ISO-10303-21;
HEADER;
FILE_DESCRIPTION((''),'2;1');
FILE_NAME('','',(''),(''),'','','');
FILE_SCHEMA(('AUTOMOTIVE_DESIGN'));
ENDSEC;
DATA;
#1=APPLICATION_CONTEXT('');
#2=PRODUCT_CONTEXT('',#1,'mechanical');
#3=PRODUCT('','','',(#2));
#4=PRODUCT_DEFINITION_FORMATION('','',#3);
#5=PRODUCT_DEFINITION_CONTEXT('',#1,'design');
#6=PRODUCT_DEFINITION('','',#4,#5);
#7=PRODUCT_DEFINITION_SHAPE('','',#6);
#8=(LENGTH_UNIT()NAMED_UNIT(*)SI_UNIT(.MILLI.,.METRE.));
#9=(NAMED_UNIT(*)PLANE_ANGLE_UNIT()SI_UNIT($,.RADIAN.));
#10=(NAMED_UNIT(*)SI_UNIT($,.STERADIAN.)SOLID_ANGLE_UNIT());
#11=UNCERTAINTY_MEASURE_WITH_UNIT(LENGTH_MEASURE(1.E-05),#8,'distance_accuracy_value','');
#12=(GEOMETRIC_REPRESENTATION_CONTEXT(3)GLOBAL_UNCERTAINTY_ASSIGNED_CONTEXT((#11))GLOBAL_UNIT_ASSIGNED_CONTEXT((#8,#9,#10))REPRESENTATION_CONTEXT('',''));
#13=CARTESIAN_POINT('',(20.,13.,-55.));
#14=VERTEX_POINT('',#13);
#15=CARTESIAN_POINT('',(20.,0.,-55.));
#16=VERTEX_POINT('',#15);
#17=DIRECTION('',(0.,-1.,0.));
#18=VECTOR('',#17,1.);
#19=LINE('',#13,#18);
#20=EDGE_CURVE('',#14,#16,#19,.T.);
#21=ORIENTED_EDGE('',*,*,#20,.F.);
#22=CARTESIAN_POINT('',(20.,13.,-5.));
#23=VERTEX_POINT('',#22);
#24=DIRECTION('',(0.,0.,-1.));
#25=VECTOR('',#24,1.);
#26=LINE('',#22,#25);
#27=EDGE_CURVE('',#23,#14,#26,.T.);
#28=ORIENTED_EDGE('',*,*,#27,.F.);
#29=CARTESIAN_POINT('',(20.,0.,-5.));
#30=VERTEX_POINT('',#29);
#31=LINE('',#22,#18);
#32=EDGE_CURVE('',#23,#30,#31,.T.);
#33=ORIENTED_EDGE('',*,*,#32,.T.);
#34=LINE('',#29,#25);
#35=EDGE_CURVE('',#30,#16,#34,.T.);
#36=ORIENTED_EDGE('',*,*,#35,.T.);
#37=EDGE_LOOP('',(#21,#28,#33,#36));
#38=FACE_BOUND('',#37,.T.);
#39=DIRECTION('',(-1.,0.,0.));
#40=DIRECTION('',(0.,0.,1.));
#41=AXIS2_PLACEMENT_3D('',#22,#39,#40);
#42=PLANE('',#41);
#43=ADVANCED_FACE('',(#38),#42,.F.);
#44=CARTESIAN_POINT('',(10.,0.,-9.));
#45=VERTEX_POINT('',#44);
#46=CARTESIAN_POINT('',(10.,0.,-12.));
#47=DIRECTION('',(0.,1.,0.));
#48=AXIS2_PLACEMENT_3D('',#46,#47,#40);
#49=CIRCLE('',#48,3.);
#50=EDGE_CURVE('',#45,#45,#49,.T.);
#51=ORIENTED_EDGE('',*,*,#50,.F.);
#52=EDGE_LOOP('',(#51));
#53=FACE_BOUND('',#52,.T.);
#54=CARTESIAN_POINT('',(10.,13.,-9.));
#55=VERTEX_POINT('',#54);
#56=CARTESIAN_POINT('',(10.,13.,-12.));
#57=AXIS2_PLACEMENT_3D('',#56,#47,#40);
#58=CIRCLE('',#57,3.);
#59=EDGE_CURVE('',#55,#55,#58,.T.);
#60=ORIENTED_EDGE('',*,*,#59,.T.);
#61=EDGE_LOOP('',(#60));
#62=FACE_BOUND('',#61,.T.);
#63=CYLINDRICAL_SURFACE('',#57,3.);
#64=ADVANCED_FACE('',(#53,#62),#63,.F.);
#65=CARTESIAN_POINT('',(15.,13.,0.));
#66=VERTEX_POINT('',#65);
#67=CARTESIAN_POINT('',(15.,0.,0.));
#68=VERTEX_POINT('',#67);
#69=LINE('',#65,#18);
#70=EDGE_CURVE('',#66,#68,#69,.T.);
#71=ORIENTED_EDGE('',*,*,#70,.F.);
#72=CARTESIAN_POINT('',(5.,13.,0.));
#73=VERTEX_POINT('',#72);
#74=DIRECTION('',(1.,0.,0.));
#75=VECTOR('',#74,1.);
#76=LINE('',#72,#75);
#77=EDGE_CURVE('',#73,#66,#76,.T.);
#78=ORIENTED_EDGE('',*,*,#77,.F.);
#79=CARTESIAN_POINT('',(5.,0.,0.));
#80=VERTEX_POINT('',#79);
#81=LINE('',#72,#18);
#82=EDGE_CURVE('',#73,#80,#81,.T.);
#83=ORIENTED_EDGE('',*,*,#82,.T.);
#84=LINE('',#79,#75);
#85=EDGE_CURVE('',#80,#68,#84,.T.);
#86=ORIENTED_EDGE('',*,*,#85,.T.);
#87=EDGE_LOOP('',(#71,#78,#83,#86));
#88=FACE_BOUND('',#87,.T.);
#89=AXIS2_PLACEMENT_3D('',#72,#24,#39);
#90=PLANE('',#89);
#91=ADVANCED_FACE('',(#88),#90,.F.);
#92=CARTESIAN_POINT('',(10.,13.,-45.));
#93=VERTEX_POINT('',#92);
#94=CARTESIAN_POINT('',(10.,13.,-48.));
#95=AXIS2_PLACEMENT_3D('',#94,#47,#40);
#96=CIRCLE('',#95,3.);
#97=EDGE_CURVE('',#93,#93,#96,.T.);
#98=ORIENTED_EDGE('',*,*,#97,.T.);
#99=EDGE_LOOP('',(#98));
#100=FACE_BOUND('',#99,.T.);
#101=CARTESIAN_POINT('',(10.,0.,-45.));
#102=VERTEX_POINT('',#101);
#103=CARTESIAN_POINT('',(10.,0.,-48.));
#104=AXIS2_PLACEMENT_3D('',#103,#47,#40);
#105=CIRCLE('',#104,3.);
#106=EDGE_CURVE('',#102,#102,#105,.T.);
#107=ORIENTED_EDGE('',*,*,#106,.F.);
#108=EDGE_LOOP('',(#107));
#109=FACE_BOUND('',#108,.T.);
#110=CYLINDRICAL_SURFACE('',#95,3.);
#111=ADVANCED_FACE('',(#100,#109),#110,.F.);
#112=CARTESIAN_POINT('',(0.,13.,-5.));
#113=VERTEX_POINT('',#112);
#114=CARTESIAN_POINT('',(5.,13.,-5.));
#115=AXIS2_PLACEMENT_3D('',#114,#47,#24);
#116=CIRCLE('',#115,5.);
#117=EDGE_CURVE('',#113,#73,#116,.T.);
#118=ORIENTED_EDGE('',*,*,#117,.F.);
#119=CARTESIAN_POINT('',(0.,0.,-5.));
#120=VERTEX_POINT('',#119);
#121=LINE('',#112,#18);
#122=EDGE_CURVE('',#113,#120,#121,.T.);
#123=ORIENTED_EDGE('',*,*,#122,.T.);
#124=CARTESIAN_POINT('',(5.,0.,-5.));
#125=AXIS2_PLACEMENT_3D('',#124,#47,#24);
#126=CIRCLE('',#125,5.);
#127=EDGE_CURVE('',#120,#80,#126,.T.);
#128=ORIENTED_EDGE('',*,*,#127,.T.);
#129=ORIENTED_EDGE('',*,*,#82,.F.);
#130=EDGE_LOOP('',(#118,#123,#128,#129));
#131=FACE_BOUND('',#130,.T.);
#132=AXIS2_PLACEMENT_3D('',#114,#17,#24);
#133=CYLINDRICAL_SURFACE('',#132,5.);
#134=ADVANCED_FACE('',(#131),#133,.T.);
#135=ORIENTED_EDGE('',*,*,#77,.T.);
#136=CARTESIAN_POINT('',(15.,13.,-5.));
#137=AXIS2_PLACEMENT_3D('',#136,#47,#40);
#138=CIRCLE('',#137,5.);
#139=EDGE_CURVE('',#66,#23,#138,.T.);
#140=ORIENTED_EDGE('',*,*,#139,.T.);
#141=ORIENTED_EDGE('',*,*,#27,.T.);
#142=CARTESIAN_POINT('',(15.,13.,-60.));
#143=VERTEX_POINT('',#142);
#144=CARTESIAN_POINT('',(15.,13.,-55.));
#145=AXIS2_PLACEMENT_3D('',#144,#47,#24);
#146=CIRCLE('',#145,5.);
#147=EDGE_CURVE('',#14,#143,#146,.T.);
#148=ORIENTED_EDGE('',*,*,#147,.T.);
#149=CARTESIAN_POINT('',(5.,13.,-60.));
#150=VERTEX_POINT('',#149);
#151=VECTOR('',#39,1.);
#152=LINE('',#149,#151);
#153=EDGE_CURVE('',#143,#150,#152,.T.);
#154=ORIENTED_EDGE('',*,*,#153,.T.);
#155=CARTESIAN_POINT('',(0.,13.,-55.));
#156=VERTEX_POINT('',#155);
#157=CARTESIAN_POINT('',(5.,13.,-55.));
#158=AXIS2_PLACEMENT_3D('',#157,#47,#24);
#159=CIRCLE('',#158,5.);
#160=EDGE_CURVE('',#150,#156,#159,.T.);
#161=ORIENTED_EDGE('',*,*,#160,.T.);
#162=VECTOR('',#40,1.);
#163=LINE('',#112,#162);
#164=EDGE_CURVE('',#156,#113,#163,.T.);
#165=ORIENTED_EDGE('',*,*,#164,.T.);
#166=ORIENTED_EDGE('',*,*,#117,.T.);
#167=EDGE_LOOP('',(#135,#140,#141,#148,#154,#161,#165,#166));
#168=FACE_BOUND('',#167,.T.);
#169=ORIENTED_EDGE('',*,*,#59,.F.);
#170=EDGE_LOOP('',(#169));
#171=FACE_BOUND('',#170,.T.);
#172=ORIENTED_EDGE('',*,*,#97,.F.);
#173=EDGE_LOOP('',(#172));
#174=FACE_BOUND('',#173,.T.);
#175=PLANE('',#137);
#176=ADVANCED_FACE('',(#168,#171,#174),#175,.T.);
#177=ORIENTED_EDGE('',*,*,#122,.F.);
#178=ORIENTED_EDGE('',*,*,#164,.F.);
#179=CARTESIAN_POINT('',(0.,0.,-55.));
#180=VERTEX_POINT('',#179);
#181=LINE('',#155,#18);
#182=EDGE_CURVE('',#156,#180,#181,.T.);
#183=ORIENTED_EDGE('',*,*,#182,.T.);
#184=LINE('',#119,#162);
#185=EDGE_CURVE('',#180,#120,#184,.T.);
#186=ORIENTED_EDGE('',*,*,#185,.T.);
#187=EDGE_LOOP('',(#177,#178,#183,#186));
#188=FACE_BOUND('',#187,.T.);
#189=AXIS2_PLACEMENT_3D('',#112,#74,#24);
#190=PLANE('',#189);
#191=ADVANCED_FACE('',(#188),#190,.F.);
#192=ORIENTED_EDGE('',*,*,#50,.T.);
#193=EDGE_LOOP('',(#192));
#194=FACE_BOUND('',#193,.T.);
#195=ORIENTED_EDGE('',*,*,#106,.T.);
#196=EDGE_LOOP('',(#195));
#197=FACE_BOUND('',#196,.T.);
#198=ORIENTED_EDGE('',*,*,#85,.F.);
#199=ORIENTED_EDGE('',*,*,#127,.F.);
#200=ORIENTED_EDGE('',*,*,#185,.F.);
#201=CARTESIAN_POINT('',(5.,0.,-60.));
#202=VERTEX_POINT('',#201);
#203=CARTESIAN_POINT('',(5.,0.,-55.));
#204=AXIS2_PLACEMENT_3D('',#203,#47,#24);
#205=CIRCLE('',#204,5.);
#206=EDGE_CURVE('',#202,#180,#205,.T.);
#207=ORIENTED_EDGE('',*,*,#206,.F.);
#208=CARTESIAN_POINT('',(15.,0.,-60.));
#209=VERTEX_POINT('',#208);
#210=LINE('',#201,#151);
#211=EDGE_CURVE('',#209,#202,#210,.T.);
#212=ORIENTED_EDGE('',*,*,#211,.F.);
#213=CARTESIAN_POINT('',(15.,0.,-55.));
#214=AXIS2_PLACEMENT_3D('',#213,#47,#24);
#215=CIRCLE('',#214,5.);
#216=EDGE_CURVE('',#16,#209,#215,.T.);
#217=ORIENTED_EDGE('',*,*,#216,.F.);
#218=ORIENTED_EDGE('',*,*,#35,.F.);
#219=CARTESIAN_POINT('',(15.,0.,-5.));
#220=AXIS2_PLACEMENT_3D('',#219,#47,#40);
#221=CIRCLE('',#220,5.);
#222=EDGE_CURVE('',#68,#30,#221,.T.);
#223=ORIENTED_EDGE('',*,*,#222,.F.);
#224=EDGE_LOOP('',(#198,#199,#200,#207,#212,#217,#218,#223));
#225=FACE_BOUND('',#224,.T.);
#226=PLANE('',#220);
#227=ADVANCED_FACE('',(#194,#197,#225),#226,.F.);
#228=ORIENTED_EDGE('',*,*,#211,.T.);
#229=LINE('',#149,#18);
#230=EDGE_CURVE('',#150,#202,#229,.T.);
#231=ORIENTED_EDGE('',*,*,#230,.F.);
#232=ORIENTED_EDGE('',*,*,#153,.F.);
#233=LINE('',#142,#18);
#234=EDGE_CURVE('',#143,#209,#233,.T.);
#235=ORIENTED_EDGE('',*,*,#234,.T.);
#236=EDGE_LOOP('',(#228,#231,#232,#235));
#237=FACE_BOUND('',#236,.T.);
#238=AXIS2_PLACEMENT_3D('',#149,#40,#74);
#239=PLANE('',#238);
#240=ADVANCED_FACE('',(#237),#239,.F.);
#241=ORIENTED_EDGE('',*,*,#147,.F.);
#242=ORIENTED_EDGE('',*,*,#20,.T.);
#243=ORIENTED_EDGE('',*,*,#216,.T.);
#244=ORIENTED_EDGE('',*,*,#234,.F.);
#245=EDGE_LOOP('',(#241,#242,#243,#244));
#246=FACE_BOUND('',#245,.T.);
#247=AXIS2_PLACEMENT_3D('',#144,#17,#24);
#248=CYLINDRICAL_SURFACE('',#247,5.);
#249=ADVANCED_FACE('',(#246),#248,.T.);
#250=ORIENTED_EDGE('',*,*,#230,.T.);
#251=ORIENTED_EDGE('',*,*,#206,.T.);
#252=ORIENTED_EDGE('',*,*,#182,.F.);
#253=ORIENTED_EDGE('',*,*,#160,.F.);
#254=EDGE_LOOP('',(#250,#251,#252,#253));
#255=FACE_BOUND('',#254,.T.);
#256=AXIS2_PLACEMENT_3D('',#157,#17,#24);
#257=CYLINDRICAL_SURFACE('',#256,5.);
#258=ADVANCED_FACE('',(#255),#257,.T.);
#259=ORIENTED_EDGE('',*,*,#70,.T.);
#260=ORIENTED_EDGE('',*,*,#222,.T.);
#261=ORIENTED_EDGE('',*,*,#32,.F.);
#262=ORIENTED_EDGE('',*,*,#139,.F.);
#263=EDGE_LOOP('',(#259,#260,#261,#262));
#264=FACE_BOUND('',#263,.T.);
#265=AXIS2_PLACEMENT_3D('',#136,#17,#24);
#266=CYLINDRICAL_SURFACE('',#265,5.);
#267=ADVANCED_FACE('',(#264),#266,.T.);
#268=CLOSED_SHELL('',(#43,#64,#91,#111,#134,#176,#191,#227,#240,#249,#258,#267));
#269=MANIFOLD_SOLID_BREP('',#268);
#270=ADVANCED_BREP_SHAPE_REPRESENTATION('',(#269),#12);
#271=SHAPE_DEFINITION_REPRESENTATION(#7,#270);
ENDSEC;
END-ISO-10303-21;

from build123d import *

# Parameters (mm, degrees)
BOSS_EXTRUDE1_DEPTH   = 13
F_6_0MM_DOWEL_HOLE1_D = 6


with BuildPart() as part:
    # Sketch1 → Boss-Extrude1 (new body)
    with BuildSketch(Plane(origin=(0, 0, 0), x_dir=(1, 0, 0), z_dir=(0, 1, 0))):
        with BuildLine():
            Line((5, 0), (15, 0))
            ThreePointArc((15, 0), (18.535533906, 1.464466094), (20, 5))
            Line((20, 5), (20, 55))
            ThreePointArc((20, 55), (18.535533906, 58.535533906), (15, 60))
            Line((15, 60), (5, 60))
            ThreePointArc((5, 60), (1.464466094, 58.535533906), (0, 55))
            Line((0, 55), (0, 5))
            ThreePointArc((0, 5), (1.464466094, 1.464466094), (5, 0))
        make_face()
    extrude(amount=BOSS_EXTRUDE1_DEPTH)

    # Ø6.0mm Dowel Hole1 (through all)
    with Locations(Plane(origin=(0, 13, 0), x_dir=(1, 0, 0), z_dir=(0, 1, 0))):
        with Locations((10, 12), (10, 48)):
            Hole(F_6_0MM_DOWEL_HOLE1_D / 2)


solid = part.part
